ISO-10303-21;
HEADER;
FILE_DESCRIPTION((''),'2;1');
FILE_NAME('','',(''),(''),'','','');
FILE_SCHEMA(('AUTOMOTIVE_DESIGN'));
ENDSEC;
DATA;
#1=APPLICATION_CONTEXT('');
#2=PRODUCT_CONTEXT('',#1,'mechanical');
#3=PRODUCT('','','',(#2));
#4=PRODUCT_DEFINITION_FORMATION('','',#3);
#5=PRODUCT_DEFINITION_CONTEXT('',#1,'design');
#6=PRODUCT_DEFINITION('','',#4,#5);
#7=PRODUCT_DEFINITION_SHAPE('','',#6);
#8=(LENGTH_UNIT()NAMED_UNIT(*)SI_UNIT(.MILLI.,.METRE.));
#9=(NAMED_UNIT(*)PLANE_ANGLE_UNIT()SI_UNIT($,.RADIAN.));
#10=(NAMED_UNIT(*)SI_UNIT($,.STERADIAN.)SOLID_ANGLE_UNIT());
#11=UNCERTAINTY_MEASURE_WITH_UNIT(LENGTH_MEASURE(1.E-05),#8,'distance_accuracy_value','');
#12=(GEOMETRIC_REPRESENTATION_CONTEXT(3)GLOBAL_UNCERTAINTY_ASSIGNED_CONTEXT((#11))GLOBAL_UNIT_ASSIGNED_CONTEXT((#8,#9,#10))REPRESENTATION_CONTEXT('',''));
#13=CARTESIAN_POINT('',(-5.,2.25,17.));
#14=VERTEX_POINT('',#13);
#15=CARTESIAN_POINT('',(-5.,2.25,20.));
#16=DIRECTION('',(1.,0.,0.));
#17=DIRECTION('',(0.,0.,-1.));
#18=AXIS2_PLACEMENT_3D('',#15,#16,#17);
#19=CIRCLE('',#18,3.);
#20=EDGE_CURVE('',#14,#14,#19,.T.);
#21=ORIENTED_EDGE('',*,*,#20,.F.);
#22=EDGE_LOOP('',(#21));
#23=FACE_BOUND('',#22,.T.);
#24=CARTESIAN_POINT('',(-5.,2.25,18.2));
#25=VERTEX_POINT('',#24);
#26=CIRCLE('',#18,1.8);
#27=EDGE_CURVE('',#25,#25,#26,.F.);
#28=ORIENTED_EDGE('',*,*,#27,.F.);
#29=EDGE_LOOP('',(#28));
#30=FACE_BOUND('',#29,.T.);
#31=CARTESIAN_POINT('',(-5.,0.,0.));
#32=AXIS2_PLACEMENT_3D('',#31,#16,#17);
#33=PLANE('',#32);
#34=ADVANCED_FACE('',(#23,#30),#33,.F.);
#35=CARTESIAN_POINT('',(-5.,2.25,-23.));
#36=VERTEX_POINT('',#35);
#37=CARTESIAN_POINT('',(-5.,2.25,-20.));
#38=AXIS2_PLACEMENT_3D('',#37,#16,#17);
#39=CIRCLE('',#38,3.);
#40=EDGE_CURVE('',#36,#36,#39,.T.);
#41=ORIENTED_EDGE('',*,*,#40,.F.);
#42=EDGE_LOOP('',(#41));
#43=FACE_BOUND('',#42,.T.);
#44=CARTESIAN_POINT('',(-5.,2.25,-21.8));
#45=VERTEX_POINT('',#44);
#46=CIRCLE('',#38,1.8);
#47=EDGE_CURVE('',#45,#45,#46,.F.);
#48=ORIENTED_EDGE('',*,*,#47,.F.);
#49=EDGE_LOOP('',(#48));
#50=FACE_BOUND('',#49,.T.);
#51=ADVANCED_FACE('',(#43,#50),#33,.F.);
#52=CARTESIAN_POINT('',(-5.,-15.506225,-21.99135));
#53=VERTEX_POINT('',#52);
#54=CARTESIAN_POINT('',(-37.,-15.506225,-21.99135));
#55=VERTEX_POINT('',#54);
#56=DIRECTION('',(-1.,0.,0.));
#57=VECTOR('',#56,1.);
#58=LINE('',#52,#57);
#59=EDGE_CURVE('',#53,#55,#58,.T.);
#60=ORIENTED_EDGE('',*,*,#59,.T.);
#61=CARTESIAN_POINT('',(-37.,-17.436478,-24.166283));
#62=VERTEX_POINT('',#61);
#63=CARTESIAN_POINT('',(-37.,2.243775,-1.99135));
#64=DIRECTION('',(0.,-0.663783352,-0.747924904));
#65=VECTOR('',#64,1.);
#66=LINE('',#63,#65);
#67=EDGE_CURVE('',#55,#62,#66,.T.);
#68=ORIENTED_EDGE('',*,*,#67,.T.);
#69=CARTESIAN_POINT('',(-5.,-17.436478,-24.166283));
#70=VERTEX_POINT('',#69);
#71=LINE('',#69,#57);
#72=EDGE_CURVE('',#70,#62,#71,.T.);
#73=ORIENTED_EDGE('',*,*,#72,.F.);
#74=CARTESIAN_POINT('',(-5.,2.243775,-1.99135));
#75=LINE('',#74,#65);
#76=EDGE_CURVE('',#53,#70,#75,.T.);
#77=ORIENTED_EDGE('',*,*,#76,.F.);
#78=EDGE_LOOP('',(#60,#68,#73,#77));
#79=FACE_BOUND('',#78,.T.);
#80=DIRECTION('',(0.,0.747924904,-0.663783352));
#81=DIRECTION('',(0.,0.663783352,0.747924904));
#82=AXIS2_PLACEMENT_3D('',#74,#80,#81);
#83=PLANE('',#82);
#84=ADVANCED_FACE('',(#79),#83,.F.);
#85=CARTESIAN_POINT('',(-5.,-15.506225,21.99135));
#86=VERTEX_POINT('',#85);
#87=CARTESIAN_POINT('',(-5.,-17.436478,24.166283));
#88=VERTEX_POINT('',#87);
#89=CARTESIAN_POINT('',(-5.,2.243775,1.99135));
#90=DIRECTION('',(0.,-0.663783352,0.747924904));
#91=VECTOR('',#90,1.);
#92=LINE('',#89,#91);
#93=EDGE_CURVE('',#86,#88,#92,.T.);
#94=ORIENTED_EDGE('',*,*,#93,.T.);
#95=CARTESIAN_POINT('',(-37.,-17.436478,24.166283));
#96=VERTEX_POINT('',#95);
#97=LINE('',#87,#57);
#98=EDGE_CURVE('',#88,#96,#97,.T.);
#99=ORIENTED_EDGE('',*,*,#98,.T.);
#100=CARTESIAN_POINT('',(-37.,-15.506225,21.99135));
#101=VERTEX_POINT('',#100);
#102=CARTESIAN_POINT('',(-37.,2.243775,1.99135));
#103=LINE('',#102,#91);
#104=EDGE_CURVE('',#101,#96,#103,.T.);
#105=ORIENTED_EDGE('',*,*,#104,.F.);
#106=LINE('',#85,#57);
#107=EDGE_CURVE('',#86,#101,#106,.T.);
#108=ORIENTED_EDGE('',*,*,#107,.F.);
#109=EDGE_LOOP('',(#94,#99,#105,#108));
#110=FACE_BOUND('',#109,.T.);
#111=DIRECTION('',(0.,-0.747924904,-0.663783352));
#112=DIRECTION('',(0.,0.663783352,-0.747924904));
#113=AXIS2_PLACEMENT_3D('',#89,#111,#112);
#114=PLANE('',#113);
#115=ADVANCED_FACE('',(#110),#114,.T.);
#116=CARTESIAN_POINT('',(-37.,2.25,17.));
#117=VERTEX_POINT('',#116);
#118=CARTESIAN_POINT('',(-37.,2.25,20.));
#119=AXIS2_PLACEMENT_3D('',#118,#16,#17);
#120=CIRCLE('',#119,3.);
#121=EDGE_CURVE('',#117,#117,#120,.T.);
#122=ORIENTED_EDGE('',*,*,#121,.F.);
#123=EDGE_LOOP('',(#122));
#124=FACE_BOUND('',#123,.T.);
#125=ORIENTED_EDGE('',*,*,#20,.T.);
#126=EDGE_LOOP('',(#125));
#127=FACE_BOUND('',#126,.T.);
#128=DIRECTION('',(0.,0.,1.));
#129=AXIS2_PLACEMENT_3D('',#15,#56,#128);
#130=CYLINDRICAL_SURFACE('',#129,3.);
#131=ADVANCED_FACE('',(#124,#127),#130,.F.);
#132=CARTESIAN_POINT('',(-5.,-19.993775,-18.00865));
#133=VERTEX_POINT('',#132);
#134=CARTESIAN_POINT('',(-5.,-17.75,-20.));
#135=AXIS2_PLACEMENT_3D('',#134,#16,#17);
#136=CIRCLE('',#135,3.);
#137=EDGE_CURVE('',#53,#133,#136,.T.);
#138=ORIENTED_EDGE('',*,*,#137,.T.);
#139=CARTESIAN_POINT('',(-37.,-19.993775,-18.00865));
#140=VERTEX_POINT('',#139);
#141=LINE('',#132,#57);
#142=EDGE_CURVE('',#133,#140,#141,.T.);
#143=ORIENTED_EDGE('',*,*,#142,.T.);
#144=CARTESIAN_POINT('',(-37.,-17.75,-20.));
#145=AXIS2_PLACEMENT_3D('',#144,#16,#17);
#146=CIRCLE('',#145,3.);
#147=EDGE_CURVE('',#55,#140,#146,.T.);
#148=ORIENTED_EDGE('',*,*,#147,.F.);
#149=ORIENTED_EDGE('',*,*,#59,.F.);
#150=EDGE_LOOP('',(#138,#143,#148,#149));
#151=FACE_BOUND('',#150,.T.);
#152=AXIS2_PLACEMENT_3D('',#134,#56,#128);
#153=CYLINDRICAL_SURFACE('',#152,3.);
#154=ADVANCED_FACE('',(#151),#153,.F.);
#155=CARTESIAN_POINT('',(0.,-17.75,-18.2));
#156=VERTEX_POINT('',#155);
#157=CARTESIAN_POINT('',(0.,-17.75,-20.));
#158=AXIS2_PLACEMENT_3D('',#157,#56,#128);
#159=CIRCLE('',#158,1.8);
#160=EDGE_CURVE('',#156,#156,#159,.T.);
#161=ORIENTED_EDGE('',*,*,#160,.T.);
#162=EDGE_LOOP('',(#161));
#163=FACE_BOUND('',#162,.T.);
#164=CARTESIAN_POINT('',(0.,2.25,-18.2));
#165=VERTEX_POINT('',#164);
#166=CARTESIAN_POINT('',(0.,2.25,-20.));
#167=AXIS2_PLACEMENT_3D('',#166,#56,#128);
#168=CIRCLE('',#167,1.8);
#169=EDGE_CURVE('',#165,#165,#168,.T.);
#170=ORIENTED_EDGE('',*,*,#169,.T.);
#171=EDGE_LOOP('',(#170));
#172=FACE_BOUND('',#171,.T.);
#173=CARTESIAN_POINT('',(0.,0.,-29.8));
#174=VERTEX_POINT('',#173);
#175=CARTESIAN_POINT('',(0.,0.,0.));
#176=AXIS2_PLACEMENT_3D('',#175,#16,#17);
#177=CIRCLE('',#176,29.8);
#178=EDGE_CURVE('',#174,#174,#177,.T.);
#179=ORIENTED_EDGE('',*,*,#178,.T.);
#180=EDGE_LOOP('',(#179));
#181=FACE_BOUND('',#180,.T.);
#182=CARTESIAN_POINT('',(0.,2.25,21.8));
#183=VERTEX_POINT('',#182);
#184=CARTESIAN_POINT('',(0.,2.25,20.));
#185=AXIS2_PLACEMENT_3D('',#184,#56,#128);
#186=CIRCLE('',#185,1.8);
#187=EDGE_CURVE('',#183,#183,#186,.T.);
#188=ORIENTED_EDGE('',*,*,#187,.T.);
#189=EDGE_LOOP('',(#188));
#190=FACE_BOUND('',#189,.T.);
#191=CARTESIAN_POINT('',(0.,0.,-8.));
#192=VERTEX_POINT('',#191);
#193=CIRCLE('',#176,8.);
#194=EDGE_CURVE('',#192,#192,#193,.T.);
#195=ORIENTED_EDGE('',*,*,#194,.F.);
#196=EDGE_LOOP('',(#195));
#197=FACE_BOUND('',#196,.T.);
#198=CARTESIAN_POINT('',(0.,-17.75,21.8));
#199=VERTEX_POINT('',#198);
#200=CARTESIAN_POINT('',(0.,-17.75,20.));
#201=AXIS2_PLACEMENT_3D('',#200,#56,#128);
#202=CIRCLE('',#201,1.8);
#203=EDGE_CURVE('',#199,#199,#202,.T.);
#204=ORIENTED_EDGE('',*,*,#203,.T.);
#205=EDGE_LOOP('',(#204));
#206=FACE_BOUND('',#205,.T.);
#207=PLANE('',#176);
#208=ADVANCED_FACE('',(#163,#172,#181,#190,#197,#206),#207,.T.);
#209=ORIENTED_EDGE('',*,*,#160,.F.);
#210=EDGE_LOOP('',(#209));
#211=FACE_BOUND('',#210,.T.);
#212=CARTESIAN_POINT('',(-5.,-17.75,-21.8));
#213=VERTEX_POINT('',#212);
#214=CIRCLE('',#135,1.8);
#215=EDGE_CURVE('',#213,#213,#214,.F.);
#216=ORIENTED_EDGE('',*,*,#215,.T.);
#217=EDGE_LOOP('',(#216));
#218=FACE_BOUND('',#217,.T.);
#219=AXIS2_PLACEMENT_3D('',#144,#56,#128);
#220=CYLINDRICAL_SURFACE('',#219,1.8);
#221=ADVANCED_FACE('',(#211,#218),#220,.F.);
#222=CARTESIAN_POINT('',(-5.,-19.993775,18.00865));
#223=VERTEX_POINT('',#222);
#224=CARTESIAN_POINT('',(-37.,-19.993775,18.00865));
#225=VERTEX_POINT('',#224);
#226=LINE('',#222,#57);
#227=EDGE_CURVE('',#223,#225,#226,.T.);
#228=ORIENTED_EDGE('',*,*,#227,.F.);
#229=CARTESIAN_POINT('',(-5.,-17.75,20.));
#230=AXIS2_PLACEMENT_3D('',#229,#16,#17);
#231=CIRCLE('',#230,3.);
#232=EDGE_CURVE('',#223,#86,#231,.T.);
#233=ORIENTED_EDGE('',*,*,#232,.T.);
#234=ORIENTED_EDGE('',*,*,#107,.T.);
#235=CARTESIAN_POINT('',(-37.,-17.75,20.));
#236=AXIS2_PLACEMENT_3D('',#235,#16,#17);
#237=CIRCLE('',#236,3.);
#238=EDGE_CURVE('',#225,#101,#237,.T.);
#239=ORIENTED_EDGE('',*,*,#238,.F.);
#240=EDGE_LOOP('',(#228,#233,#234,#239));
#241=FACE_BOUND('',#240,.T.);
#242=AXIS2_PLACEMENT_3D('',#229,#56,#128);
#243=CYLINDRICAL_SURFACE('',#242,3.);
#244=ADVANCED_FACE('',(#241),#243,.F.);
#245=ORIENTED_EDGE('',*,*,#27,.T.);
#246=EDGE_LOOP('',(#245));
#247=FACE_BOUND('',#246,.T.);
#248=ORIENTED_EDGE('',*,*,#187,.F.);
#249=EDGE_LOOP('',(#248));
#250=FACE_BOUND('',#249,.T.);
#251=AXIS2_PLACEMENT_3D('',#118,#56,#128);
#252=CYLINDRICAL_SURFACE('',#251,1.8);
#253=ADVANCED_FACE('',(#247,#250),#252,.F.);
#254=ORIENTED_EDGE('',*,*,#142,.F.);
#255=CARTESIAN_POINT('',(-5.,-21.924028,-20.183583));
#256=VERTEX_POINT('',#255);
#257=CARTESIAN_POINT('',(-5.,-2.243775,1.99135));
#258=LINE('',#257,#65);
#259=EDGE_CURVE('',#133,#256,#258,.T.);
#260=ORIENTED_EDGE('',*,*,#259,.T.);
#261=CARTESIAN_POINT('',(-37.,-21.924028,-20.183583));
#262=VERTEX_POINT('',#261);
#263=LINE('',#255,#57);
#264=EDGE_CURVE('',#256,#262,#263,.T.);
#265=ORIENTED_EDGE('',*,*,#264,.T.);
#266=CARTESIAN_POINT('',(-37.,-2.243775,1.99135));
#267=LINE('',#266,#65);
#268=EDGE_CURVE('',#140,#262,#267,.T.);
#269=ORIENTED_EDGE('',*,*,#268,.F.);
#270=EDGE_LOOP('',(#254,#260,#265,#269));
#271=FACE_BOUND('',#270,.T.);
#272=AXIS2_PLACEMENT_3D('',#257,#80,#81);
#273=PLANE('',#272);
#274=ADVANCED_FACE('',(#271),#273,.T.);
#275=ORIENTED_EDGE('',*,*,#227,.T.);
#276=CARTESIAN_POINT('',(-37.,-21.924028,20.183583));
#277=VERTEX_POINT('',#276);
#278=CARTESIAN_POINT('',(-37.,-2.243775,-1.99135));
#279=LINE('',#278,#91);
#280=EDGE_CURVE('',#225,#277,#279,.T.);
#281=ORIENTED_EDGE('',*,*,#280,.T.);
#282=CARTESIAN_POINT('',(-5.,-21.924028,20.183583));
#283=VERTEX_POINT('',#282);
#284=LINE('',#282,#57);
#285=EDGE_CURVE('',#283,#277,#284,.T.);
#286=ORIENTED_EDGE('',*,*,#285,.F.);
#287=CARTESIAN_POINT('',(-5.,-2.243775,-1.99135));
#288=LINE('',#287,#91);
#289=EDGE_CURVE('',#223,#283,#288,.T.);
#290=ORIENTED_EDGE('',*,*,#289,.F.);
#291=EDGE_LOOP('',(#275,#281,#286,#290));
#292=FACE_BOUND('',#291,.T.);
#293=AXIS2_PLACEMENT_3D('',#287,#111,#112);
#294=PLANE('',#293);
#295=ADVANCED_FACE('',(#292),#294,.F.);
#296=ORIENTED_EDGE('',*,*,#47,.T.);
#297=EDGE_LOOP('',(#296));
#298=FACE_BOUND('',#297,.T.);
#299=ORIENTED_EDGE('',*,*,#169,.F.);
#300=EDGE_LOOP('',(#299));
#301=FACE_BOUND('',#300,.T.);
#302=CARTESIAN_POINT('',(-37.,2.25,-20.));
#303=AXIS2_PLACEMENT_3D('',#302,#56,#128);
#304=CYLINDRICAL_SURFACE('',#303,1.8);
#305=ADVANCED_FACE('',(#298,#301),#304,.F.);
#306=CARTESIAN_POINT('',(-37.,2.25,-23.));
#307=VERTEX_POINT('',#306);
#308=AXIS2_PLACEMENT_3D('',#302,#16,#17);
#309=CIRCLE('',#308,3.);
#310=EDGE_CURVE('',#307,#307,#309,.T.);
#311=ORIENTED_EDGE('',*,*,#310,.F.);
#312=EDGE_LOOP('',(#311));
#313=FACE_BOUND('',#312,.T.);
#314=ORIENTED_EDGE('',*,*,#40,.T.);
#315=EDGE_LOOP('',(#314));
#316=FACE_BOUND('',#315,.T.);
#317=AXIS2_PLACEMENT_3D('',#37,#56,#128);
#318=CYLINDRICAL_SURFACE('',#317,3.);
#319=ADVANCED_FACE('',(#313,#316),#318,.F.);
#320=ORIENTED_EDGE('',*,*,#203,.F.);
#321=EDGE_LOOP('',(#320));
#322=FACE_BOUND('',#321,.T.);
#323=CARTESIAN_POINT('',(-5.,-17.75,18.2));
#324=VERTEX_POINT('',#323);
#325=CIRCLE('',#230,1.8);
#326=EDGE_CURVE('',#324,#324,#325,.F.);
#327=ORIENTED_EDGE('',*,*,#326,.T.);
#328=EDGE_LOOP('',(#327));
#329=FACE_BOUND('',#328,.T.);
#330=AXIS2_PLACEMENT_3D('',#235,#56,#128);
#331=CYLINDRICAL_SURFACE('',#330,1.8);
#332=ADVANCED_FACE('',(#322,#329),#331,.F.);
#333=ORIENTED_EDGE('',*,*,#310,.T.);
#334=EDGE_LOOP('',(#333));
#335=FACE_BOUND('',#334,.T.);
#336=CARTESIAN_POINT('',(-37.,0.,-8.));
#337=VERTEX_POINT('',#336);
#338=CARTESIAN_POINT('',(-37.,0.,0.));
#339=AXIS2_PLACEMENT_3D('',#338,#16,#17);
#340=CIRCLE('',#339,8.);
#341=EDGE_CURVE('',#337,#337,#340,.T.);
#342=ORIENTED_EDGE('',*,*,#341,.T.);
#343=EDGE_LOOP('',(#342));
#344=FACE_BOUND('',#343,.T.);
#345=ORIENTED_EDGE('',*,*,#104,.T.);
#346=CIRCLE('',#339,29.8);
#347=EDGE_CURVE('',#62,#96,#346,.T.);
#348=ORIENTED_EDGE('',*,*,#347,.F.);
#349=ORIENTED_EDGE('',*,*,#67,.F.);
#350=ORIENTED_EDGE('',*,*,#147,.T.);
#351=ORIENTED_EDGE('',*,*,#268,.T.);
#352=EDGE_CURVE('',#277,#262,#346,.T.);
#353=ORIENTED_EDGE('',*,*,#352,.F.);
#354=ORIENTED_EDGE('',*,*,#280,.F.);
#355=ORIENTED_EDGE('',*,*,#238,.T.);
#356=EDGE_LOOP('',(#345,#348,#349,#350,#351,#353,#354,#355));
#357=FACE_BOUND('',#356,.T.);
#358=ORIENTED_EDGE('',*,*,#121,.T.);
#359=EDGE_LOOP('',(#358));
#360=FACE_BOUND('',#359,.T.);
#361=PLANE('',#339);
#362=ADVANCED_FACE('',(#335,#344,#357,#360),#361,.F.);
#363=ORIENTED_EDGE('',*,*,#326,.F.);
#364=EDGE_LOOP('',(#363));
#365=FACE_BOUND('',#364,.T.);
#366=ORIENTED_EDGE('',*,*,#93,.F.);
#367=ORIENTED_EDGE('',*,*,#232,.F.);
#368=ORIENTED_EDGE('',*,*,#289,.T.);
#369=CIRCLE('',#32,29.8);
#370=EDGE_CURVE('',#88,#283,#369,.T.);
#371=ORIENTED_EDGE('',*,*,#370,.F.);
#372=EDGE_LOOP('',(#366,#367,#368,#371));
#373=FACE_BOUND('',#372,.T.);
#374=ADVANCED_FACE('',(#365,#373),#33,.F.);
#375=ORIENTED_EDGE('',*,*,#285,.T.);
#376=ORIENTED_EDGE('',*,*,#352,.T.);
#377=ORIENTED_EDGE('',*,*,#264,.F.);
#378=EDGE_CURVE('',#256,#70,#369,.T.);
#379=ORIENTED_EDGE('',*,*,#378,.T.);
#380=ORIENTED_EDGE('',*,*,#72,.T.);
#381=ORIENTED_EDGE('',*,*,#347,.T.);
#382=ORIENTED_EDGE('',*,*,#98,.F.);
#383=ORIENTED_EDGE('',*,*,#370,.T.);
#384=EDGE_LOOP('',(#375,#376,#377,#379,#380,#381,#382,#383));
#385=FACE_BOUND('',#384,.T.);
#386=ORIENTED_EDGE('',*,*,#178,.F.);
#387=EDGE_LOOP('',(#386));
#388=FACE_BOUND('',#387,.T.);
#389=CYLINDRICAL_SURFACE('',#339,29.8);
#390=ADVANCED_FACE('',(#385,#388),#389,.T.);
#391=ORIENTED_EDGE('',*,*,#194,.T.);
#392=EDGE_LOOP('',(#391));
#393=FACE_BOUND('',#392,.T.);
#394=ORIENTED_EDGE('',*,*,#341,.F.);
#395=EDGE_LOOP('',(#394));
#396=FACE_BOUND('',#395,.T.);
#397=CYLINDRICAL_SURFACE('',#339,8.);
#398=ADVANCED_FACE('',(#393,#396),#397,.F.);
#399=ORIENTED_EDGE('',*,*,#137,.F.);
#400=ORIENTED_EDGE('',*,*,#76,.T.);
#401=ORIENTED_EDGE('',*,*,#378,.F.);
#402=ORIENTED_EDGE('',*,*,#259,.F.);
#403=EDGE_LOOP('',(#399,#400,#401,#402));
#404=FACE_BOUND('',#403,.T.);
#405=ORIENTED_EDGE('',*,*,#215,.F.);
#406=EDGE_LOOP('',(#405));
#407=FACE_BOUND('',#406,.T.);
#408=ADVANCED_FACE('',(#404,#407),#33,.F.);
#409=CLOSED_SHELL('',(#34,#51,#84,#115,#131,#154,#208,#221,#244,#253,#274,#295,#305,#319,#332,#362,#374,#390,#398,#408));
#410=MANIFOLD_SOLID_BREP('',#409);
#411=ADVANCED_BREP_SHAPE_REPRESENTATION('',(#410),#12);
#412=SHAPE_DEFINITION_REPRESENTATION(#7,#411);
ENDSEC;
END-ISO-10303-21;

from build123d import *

# Parameters (mm, degrees)
SKETCH2_R            = 3
SKETCH2_R_2          = 8
BOSS_EXTRUDE1_DEPTH  = 37
M4_CLEARANCE_HOLE1_D = 3.6
CUT_EXTRUDE1_START   = -37
SKETCH2_3_R          = 3
CUT_EXTRUDE1_DEPTH   = 32


with BuildPart() as part:
    # Sketch2 → Boss-Extrude1 (new body)
    # profile 1 of 5: a face of its own
    with BuildSketch(Plane(origin=(0, 0, 0), x_dir=(0, 0, -1), z_dir=(1, 0, 0))):
        with BuildLine():
            Line((-24.16628289, -17.436478179), (-21.991350056, -15.506225289))
            ThreePointArc((-21.991350056, -15.506225289), (-17.756225289, -15.758649944), (-18.008649944, -19.993774711))
            Line((-18.008649944, -19.993774711), (-20.183582778, -21.924027601))
            ThreePointArc((-20.183582778, -21.924027601), (0, -29.8), (20.183582778, -21.924027601))
            Line((20.183582778, -21.924027601), (18.008649944, -19.993774711))
            ThreePointArc((18.008649944, -19.993774711), (17.756225289, -15.758649944), (21.991350056, -15.506225289))
            Line((21.991350056, -15.506225289), (24.16628289, -17.436478179))
            ThreePointArc((24.16628289, -17.436478179), (28.356615014, -9.162007692), (29.8, 0))
            ThreePointArc((29.8, 0), (-9.162007692, 28.356615014), (-24.16628289, -17.436478179))
        make_face()
        with Locations((-20, 2.25)):
            Circle(SKETCH2_R, mode=Mode.SUBTRACT)
        Circle(SKETCH2_R_2, mode=Mode.SUBTRACT)
        with Locations((20, 2.25)):
            Circle(SKETCH2_R, mode=Mode.SUBTRACT)
    # profile 2 of 5: a face of its own
    with BuildSketch(Plane(origin=(0, 0, 0), x_dir=(0, 0, -1), z_dir=(1, 0, 0))):
        with Locations((20, 2.25)):
            Circle(SKETCH2_R)
    # profile 3 of 5: a face of its own
    with BuildSketch(Plane(origin=(0, 0, 0), x_dir=(0, 0, -1), z_dir=(1, 0, 0))):
        with Locations((-20, 2.25)):
            Circle(SKETCH2_R)
    # profile 4 of 5: a face of its own
    with BuildSketch(Plane(origin=(0, 0, 0), x_dir=(0, 0, -1), z_dir=(1, 0, 0))):
        with BuildLine():
            ThreePointArc((20.183582778, -21.924027601), (22.28816213, -19.78074389), (24.16628289, -17.436478179))
            Line((24.16628289, -17.436478179), (21.991350056, -15.506225289))
            ThreePointArc((21.991350056, -15.506225289), (17.756225289, -15.758649944), (18.008649944, -19.993774711))
            Line((18.008649944, -19.993774711), (20.183582778, -21.924027601))
        make_face()
    # profile 5 of 5: a face of its own
    with BuildSketch(Plane(origin=(0, 0, 0), x_dir=(0, 0, -1), z_dir=(1, 0, 0))):
        with BuildLine():
            ThreePointArc((-18.008649944, -19.993774711), (-17.756225289, -15.758649944), (-21.991350056, -15.506225289))
            Line((-21.991350056, -15.506225289), (-24.16628289, -17.436478179))
            ThreePointArc((-24.16628289, -17.436478179), (-22.28816213, -19.78074389), (-20.183582778, -21.924027601))
            Line((-20.183582778, -21.924027601), (-18.008649944, -19.993774711))
        make_face()
    extrude(amount=-BOSS_EXTRUDE1_DEPTH)

    # M4 Clearance Hole1 (through all)
    with Locations(Plane.ZY.offset(37)):
        with Locations((-20, 2.25), (20, 2.25), (20, -17.75), (-20, -17.75)):
            Hole(M4_CLEARANCE_HOLE1_D / 2)

    # Sketch2<3> → Cut-Extrude1 (cut)
    with BuildSketch(Plane(origin=(0, 0, 0), x_dir=(0, 0, -1), z_dir=(1, 0, 0)).offset(CUT_EXTRUDE1_START)):
        with Locations((20, 2.25)):
            Circle(SKETCH2_3_R)
        with Locations((-20, 2.25)):
            Circle(SKETCH2_3_R)
        with BuildLine():
            ThreePointArc((-18.008649944, -19.993774711), (-17.756225289, -15.758649944), (-21.991350056, -15.506225289))
            Line((-21.991350056, -15.506225289), (-24.16628289, -17.436478179))
            ThreePointArc((-24.16628289, -17.436478179), (-22.28816213, -19.78074389), (-20.183582778, -21.924027601))
            Line((-20.183582778, -21.924027601), (-18.008649944, -19.993774711))
        make_face()
        with BuildLine():
            ThreePointArc((20.183582778, -21.924027601), (22.28816213, -19.78074389), (24.16628289, -17.436478179))
            Line((24.16628289, -17.436478179), (21.991350056, -15.506225289))
            ThreePointArc((21.991350056, -15.506225289), (17.756225289, -15.758649944), (18.008649944, -19.993774711))
            Line((18.008649944, -19.993774711), (20.183582778, -21.924027601))
        make_face()
    extrude(amount=CUT_EXTRUDE1_DEPTH, mode=Mode.SUBTRACT)


solid = part.part
